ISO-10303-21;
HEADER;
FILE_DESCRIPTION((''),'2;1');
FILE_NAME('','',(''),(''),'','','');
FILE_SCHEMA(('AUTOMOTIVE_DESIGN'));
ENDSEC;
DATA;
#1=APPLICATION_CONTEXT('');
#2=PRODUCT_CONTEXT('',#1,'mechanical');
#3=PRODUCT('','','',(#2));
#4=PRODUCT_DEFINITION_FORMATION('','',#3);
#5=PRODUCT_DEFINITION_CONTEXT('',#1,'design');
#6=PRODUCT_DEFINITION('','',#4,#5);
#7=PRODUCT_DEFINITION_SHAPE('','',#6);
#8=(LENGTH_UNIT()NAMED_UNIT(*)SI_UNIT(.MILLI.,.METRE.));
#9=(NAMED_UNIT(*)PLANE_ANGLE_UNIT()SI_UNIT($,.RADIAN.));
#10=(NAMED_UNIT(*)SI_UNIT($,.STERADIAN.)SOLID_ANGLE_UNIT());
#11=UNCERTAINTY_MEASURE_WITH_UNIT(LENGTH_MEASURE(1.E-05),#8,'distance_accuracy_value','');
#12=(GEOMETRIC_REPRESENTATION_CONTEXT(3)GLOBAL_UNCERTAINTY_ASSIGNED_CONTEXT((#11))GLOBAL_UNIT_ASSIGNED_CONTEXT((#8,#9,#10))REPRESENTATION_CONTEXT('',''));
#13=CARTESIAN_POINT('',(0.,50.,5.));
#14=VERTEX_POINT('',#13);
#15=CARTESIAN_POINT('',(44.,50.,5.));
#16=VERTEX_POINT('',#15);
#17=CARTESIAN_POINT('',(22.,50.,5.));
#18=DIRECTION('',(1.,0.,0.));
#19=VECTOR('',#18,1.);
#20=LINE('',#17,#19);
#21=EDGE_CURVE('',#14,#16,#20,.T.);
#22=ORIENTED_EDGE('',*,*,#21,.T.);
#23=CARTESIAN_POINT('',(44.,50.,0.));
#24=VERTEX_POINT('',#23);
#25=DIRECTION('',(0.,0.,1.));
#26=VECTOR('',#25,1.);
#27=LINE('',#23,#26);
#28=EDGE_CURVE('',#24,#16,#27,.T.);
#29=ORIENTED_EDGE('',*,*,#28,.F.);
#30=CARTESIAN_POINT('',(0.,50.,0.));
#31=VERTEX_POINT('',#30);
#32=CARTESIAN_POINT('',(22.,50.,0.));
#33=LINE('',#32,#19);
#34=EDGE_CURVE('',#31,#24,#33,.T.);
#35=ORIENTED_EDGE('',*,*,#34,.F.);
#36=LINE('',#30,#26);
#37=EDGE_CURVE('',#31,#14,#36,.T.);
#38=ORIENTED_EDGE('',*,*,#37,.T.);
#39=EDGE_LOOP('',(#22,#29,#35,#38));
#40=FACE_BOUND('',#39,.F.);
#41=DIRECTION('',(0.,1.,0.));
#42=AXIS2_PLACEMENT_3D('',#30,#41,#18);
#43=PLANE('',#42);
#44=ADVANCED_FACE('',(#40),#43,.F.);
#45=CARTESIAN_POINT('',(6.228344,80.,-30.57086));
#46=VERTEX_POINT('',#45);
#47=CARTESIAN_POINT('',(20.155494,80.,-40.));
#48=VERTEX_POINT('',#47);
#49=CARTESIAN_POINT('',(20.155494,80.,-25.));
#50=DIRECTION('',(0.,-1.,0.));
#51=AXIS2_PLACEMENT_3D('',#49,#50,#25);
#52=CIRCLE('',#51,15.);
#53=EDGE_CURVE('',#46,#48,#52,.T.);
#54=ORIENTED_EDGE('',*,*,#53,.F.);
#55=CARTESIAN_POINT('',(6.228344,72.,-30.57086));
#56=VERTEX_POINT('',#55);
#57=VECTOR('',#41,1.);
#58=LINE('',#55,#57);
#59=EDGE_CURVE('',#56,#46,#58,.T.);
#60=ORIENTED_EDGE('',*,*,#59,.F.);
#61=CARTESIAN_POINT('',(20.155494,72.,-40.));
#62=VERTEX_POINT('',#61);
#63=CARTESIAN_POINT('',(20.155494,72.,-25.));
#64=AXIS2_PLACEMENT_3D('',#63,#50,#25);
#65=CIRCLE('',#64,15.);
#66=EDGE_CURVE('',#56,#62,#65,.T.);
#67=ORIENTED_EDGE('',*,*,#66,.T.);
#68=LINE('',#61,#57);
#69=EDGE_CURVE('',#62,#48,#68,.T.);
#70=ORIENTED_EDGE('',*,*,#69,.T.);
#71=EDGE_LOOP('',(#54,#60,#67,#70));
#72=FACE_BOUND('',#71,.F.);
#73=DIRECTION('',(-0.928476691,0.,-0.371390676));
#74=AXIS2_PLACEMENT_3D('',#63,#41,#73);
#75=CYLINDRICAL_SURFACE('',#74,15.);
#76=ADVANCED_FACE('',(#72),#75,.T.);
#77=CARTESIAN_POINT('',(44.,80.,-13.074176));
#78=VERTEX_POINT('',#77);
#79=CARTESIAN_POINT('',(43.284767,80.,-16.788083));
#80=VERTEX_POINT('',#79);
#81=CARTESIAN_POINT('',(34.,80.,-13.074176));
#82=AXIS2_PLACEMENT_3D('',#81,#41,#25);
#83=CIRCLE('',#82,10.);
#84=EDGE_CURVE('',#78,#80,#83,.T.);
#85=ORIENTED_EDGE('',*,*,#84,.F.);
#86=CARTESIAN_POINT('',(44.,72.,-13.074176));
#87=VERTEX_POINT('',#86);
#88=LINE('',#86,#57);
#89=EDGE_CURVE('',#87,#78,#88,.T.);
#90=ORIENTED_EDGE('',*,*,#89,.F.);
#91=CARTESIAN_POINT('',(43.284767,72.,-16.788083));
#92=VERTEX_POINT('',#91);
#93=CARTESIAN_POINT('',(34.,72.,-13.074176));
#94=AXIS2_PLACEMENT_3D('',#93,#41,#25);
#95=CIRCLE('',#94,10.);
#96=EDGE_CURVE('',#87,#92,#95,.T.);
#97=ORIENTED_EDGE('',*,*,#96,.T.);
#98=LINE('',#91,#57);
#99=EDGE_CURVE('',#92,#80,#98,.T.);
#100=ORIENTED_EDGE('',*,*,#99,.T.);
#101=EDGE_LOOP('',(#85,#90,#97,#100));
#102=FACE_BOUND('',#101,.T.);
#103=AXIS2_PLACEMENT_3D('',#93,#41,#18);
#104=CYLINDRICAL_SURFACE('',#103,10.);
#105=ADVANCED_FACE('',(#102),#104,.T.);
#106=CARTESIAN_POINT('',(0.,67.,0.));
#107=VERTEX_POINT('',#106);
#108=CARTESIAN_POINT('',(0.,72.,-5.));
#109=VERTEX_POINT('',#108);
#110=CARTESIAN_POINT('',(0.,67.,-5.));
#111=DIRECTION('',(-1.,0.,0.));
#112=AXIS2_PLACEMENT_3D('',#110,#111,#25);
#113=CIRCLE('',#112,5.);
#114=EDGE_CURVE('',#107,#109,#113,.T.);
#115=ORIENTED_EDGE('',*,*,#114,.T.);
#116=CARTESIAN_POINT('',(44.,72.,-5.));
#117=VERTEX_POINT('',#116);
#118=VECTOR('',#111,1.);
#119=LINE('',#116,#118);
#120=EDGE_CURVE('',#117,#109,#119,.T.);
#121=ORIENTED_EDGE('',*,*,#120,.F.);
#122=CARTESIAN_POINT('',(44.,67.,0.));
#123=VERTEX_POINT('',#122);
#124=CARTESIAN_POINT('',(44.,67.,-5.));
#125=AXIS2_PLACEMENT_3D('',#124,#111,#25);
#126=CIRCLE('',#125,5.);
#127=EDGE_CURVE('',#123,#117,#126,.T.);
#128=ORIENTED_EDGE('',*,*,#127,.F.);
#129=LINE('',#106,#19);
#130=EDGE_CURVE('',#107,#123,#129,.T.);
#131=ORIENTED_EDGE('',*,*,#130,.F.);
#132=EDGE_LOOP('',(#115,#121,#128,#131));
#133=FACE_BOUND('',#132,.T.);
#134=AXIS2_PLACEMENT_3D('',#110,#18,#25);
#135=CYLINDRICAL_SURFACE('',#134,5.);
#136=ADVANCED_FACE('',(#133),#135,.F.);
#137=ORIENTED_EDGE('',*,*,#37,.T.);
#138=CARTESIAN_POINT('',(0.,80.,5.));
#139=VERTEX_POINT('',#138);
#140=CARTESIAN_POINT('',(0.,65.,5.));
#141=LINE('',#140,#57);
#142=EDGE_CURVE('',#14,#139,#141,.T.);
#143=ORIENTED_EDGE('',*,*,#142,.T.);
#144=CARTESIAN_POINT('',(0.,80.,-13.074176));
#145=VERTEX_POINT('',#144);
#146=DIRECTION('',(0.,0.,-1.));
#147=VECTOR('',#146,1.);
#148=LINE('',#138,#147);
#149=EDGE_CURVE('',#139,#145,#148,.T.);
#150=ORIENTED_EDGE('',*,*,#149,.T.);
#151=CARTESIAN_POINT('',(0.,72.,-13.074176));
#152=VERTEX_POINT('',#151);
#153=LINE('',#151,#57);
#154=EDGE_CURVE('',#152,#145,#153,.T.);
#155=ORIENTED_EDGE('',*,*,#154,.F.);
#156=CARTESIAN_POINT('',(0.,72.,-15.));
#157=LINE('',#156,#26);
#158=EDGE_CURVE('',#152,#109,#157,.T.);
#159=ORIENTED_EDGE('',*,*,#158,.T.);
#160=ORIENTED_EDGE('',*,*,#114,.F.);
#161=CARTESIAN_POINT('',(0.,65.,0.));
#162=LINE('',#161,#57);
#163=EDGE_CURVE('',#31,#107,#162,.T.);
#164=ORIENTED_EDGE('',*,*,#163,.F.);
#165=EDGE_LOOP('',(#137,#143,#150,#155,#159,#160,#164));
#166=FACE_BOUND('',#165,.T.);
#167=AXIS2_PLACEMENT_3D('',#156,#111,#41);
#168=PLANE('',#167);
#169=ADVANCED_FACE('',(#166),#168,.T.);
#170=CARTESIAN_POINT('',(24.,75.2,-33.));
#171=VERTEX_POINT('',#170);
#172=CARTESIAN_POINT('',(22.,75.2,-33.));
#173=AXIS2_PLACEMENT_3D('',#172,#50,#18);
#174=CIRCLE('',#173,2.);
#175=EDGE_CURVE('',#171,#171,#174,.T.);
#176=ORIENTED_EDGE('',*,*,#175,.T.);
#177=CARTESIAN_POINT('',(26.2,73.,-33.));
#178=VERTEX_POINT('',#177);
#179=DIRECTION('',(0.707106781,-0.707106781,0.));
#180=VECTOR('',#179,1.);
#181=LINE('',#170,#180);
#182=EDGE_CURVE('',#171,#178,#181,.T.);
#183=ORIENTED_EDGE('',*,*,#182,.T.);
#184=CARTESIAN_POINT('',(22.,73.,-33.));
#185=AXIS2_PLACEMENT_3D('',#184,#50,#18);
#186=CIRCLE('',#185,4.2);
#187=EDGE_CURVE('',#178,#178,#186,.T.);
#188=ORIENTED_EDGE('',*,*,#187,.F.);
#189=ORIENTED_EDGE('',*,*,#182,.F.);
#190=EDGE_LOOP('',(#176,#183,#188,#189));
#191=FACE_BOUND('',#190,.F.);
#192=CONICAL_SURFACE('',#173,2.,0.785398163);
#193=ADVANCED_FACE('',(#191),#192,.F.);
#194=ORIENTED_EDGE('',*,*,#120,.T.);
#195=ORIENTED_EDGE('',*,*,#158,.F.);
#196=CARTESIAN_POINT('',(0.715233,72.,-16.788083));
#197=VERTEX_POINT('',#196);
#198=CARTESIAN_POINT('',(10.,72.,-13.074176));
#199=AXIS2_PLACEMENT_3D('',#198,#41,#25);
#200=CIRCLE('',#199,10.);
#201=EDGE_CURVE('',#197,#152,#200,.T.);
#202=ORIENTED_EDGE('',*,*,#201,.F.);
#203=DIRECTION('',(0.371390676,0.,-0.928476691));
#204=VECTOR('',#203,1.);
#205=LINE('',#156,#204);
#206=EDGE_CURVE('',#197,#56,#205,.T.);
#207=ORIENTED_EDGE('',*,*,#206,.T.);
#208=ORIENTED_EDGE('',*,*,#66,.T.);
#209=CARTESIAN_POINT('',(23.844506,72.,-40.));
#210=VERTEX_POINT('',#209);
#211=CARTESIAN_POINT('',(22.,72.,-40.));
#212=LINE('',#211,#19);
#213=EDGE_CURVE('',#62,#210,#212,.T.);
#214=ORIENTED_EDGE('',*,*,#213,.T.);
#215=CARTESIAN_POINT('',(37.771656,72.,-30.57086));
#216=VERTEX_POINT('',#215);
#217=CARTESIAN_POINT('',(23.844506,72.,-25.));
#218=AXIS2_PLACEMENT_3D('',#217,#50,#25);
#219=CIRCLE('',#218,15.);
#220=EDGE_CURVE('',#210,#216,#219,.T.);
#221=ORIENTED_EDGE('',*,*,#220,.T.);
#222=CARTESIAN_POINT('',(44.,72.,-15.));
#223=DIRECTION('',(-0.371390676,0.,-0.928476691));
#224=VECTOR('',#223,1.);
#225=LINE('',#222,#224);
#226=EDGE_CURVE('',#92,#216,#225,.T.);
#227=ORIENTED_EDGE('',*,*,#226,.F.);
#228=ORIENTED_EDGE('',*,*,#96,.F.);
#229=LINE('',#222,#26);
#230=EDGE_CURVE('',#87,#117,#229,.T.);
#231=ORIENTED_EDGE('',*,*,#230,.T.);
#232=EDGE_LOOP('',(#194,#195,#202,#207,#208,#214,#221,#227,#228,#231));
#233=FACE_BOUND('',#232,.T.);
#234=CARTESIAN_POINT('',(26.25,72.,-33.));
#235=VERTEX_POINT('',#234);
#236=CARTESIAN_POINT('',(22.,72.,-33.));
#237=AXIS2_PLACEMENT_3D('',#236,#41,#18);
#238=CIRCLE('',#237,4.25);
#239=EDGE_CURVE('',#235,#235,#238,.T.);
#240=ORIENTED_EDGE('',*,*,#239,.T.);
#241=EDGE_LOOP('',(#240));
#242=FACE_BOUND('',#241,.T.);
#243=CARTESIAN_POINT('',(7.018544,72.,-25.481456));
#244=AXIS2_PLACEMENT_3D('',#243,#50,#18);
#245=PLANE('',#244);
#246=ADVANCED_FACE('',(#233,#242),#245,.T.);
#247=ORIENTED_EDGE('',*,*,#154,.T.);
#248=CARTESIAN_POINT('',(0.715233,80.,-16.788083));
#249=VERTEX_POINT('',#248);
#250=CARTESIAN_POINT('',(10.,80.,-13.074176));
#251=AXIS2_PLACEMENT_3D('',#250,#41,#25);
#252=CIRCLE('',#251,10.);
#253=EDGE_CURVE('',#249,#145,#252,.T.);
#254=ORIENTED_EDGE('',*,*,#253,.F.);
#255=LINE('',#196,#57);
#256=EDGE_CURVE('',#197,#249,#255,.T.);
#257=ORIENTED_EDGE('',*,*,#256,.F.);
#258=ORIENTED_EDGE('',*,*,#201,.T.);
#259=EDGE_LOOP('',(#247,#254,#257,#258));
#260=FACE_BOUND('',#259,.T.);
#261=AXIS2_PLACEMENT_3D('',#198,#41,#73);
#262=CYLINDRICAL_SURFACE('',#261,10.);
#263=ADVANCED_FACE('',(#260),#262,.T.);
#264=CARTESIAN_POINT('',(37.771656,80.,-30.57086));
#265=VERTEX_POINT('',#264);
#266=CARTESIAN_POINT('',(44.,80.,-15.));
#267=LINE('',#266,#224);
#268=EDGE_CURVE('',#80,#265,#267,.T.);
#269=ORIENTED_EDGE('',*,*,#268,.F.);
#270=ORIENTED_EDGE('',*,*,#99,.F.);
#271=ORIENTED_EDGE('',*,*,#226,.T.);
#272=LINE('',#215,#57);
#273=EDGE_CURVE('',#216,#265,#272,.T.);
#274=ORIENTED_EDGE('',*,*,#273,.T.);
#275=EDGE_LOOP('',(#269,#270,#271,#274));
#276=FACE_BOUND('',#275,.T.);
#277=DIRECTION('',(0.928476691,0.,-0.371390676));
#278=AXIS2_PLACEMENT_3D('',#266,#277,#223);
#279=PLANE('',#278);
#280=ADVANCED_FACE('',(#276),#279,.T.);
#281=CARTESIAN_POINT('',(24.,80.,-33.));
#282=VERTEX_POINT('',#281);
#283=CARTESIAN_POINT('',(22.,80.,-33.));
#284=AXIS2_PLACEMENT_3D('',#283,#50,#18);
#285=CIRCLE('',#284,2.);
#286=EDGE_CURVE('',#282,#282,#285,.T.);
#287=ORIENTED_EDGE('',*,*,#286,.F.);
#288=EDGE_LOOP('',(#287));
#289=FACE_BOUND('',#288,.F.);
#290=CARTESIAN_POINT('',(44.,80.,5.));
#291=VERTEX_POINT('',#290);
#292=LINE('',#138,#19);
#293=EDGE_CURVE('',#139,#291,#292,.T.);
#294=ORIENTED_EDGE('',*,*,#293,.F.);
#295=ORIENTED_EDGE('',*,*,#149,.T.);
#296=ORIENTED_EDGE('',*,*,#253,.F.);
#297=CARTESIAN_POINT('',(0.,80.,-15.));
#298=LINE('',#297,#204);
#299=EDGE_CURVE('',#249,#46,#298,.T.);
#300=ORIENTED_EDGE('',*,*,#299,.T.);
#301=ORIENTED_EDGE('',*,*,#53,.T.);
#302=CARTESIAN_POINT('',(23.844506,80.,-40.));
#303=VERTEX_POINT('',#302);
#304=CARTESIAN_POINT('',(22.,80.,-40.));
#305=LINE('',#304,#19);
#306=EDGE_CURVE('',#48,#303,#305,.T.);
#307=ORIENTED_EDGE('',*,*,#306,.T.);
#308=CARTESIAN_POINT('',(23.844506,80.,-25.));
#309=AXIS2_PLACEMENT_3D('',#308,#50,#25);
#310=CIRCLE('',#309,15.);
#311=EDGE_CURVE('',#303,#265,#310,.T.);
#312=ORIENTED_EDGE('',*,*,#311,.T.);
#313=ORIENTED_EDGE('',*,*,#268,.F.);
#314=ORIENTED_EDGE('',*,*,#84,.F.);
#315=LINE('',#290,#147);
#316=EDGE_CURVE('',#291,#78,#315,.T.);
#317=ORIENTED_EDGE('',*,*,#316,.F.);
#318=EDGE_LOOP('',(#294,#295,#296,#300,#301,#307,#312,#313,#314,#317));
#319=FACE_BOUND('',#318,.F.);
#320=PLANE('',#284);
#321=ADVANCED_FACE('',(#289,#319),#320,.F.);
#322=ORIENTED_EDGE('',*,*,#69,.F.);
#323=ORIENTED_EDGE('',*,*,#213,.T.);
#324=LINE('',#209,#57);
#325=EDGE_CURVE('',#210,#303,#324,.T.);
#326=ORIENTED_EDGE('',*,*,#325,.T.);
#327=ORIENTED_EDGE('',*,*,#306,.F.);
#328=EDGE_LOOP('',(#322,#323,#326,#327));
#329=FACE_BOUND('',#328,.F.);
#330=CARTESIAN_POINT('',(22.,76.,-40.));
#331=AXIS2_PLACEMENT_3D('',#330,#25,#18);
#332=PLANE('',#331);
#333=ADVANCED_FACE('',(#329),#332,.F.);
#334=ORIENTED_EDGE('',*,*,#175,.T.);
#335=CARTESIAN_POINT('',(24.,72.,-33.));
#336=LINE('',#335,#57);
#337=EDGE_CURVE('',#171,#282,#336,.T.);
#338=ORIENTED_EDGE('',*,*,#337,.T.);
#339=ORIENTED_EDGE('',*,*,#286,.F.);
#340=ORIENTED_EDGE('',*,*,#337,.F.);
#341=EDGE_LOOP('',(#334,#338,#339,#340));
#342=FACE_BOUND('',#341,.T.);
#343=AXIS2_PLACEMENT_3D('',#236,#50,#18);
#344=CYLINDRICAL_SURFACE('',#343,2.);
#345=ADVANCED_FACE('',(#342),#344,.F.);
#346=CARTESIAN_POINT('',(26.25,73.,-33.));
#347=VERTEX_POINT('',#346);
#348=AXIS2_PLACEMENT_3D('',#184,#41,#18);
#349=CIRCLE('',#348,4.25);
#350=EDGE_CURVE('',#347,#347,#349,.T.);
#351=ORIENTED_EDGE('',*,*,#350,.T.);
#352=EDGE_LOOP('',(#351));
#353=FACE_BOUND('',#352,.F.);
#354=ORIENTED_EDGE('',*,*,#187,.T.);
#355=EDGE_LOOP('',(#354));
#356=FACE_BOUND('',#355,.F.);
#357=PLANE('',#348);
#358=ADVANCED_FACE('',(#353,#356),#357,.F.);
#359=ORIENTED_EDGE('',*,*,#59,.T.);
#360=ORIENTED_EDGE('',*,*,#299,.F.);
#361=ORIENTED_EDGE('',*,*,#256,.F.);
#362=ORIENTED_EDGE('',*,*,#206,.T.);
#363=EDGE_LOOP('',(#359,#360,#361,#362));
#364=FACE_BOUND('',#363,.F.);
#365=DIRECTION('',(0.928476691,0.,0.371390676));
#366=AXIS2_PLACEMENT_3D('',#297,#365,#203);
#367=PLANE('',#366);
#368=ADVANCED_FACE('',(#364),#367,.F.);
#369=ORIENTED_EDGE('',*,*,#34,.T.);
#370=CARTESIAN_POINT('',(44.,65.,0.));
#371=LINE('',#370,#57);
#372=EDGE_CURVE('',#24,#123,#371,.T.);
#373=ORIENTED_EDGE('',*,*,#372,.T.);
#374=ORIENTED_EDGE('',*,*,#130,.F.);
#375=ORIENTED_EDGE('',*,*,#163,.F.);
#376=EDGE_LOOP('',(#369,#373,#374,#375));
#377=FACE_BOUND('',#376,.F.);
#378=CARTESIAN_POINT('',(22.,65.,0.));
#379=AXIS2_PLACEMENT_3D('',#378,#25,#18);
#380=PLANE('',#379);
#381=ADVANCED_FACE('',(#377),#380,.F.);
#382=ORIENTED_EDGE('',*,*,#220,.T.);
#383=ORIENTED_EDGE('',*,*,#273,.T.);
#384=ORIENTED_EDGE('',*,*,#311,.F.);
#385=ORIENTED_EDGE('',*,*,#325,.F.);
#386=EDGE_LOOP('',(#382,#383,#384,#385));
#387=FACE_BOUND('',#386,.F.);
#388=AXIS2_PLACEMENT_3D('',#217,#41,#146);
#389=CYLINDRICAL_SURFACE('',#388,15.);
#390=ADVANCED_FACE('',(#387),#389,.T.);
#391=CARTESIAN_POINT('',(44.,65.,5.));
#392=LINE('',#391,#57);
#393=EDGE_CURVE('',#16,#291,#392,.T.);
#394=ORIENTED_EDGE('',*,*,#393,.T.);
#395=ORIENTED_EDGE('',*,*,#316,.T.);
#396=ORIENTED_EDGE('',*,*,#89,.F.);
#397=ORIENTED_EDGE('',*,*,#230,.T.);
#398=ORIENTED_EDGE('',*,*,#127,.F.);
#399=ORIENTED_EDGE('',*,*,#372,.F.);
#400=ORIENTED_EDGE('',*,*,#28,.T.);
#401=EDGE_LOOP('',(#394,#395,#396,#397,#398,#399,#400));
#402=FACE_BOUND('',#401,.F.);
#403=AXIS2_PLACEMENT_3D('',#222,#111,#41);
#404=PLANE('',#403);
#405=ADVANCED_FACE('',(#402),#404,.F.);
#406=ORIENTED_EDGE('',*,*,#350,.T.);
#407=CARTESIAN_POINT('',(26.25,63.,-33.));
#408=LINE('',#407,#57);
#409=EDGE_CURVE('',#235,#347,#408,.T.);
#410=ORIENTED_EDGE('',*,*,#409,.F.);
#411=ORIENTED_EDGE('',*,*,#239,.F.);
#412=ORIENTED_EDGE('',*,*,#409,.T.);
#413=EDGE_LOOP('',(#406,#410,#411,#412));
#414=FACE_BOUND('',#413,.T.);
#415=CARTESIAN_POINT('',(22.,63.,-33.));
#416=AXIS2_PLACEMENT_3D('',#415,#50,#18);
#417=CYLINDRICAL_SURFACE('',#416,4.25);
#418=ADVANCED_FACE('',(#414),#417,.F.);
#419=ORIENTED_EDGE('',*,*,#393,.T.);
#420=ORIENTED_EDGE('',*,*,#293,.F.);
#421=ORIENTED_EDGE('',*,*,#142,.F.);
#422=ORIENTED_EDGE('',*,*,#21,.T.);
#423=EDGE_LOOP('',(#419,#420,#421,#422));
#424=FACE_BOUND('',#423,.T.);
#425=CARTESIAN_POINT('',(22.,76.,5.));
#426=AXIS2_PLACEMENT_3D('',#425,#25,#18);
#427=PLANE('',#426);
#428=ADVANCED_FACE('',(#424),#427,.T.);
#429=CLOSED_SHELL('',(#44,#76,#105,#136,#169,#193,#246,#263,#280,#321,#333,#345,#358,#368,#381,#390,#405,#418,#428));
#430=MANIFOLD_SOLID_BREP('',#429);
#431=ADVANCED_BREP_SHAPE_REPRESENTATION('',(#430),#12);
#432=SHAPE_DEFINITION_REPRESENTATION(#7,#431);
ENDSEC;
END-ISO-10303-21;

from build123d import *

# Parameters (mm, degrees)
CYLINDER004_R             = 2
CYLINDER004_DEPTH         = 10
CYLINDER005_R             = 4.25
CYLINDER005_DEPTH         = 10
FUSION006_PLACEMENT_ANGLE = 180
CYLINDER006_R             = 4.25
CYLINDER006_DEPTH         = 10
CYLINDER003_R             = 2
CYLINDER003_DEPTH         = 10
CYLINDER002_R             = 4.25
CYLINDER002_DEPTH         = 10
EXTRUDE_DEPTH             = 8
BOX004_W                  = 24
BOX004_H                  = 8
BOX004_DEPTH              = 45
BOX003_W                  = 44
BOX003_H                  = 8
BOX003_DEPTH              = 15
BOX002_W                  = 44
BOX002_H                  = 30
BOX002_DEPTH              = 5
FILLET_R                  = 5
FILLET001_R               = 15
FILLET002_R               = 10
CHAMFER001_SIZE           = 2.2
CHAMFER002_SIZE           = 2.2


with BuildPart() as cylinder004:
    # Cylinder004 → Cylinder004 (new body)
    with BuildSketch(Plane(origin=(22, 80, -33), x_dir=(1, 0, 0), z_dir=(0, -1, 0))):
        Circle(CYLINDER004_R)
    extrude(amount=CYLINDER004_DEPTH)


with BuildPart() as fusion006:
    # Cylinder005 → Cylinder005 (new body)
    with BuildSketch(Plane(origin=(22, 89, -33), x_dir=(1, 0, 0), z_dir=(0, -1, 0))):
        Circle(CYLINDER005_R)
    extrude(amount=CYLINDER005_DEPTH)

    # Fusion006: union Cylinder004
    add(cylinder004.part)


with BuildPart() as fusion006_1:
    # Fusion006 placement: moved
    add(fusion006.part.moved(Location((0, 152, -66))).rotate(Axis((0, 152, -66), (1, 0, 0)), FUSION006_PLACEMENT_ANGLE))


with BuildPart() as cylinder006:
    # Cylinder006 → Cylinder006 (new body)
    with BuildSketch(Plane(origin=(22, 80, -33), x_dir=(1, 0, 0), z_dir=(0, -1, 0))):
        Circle(CYLINDER006_R)
    extrude(amount=CYLINDER006_DEPTH)


with BuildPart() as cylinder003:
    # Cylinder003 → Cylinder003 (new body)
    with BuildSketch(Plane(origin=(22, 80, -33), x_dir=(1, 0, 0), z_dir=(0, -1, 0))):
        Circle(CYLINDER003_R)
    extrude(amount=CYLINDER003_DEPTH)


with BuildPart() as fusion005:
    # Cylinder002 → Cylinder002 (new body)
    with BuildSketch(Plane(origin=(22, 89, -33), x_dir=(1, 0, 0), z_dir=(0, -1, 0))):
        Circle(CYLINDER002_R)
    extrude(amount=CYLINDER002_DEPTH)

    # Fusion005: union Cylinder003
    add(cylinder003.part)


with BuildPart() as extrude_body:
    # Sketch (on Face11 of Fusion003) → Extrude (new body)
    with BuildSketch(Plane(origin=(0, 80, 0), x_dir=(-1, 0, 0), z_dir=(0, 1, 0))):
        Polygon((-44, -15), (-34, -40), (-34, -15), align=None)
        Polygon((-10, -15), (0, -15), (-10, -40), align=None)
    extrude(amount=-EXTRUDE_DEPTH)


with BuildPart() as cube004:
    # Box004 → Box004 (new body)
    with BuildSketch(Plane(origin=(10, 72, -40), x_dir=(1, 0, 0), z_dir=(0, 0, 1))):
        with Locations((12, 4)):
            Rectangle(BOX004_W, BOX004_H)
    extrude(amount=BOX004_DEPTH)


with BuildPart() as cube003:
    # Box003 → Box003 (new body)
    with BuildSketch(Plane(origin=(0, 72, -15), x_dir=(1, 0, 0), z_dir=(0, 0, 1))):
        with Locations((22, 4)):
            Rectangle(BOX003_W, BOX003_H)
    extrude(amount=BOX003_DEPTH)


with BuildPart() as pieza_interior_x4:
    # Box002 → Box002 (new body)
    with BuildSketch(Plane(origin=(0, 50, 0), x_dir=(1, 0, 0), z_dir=(0, 0, 1))):
        with Locations((22, 15)):
            Rectangle(BOX002_W, BOX002_H)
    extrude(amount=BOX002_DEPTH)

    # Fusion002: union Cube003
    add(cube003.part)

    # Fillet
    fillet_edges = [pieza_interior_x4.edges().sort_by_distance(p)[0] for p in [
        (22, 72, 0),
    ]]
    fillet(fillet_edges, radius=FILLET_R)

    # Fusion003: union Cube004
    add(cube004.part)

    # Fusion004: union Extrude body
    add(extrude_body.part)

    # Fillet001
    fillet001_edges = [pieza_interior_x4.edges().sort_by_distance(p)[0] for p in [
        (10, 76, -40),
        (34, 76, -40),
    ]]
    fillet(fillet001_edges, radius=FILLET001_R)

    # Fillet002
    fillet002_edges = [pieza_interior_x4.edges().sort_by_distance(p)[0] for p in [
        (44, 76, -15),
        (0, 76, -15),
    ]]
    fillet(fillet002_edges, radius=FILLET002_R)

    # Cut001: cut Fusion005
    add(fusion005.part, mode=Mode.SUBTRACT)

    # Chamfer001
    chamfer001_edges = [pieza_interior_x4.edges().sort_by_distance(p)[0] for p in [
        (20, 79, -33),
    ]]
    chamfer(chamfer001_edges, length=CHAMFER001_SIZE)

    # Fusion007: union Cylinder006
    add(cylinder006.part)

    # Cut002: cut Fusion006
    add(fusion006_1.part, mode=Mode.SUBTRACT)

    # Chamfer002
    chamfer002_edges = [pieza_interior_x4.edges().sort_by_distance(p)[0] for p in [
        (20, 73, -33),
    ]]
    chamfer(chamfer002_edges, length=CHAMFER002_SIZE)


solid = pieza_interior_x4.part
